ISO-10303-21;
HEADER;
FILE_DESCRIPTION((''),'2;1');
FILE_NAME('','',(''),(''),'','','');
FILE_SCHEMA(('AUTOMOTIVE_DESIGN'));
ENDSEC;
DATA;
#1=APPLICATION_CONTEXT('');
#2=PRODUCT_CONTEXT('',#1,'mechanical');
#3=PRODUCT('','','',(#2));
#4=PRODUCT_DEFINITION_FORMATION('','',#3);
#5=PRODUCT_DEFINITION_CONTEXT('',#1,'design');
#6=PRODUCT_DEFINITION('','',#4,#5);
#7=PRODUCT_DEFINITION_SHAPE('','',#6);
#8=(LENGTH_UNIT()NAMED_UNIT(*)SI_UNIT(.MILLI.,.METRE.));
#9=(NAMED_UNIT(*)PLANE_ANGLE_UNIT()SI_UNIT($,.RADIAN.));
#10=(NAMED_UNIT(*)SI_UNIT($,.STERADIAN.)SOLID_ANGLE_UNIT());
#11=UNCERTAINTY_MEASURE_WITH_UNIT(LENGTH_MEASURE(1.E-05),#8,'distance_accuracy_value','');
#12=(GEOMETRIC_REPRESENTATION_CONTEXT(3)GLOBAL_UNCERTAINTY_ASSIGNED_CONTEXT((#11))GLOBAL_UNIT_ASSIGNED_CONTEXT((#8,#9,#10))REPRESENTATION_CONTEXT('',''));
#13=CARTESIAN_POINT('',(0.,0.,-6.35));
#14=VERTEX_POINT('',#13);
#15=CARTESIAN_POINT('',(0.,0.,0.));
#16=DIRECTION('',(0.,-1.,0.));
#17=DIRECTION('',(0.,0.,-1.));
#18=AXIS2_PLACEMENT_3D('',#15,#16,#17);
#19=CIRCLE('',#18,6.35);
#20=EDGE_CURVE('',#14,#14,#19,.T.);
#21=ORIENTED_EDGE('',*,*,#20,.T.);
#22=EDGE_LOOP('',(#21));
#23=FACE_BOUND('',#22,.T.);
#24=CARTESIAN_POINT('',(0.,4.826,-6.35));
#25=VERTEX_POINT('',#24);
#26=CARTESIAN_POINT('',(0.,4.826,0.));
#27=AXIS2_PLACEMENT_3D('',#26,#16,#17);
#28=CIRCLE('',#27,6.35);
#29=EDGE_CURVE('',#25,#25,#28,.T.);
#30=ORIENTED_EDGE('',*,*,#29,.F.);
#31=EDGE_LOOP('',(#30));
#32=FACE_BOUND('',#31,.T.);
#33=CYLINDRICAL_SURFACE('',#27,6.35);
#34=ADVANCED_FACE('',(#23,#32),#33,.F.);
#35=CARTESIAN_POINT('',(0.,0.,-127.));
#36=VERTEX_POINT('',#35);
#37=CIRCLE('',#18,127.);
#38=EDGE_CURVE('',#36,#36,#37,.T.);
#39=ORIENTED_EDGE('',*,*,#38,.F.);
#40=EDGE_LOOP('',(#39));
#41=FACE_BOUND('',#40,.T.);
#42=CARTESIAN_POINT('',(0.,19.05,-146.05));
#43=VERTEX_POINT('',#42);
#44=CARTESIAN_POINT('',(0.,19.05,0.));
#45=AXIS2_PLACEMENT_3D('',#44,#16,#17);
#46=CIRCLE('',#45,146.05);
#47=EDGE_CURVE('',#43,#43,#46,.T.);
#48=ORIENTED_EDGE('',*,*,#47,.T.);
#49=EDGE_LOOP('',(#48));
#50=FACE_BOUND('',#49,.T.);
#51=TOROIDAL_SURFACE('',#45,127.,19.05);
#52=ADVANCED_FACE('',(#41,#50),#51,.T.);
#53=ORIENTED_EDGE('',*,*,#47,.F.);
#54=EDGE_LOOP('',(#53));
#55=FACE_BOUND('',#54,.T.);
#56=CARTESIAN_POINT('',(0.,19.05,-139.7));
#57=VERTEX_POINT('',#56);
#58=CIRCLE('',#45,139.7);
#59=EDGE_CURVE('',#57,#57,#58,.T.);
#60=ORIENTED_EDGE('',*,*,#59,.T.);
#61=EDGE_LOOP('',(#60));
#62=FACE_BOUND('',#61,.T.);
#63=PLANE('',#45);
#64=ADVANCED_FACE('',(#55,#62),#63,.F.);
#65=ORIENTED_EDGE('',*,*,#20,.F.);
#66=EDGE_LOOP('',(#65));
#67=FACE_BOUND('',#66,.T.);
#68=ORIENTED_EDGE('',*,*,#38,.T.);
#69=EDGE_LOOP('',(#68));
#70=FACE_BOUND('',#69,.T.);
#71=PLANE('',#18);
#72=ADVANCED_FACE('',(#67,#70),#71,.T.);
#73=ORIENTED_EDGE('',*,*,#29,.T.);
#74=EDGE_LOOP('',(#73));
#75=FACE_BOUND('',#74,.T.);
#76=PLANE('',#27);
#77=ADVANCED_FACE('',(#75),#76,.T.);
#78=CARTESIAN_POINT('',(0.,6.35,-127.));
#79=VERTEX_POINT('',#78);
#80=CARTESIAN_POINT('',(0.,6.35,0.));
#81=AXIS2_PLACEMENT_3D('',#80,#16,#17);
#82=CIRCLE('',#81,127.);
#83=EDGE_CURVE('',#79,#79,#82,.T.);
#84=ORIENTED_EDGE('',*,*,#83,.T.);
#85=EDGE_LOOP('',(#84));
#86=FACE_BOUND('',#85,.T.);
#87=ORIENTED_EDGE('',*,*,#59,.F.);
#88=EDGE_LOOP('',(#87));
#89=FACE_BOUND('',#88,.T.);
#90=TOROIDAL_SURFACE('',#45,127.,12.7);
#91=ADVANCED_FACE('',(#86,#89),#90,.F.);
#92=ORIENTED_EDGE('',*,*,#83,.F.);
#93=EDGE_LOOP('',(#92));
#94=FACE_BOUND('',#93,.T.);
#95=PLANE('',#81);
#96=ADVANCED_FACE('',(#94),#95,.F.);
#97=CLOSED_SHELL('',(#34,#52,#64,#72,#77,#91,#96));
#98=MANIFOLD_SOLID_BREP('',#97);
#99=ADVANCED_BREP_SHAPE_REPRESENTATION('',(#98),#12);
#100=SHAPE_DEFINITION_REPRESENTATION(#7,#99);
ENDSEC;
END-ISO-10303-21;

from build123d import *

# Parameters (mm, degrees)
SKETCH1_W          = 127
SKETCH1_H          = 6.35
SKETCH2_R          = 6.35
CUT_EXTRUDE1_DEPTH = 4.826


with BuildPart() as part:
    # Sketch1 → Revolve1 (revolve)
    with BuildSketch(Plane.XY, mode=Mode.PRIVATE) as revolve1_sk:
        with BuildLine():
            Line((127, 0), (127, 6.35))
            ThreePointArc((127, 6.35), (135.980256121, 10.069743879), (139.7, 19.05))
            Line((139.7, 19.05), (146.05, 19.05))
            ThreePointArc((146.05, 19.05), (140.470384182, 5.579615818), (127, 0))
        make_face()
        with Locations((63.5, 3.175)):
            Rectangle(SKETCH1_W, SKETCH1_H)
    revolve(revolve1_sk.sketch.rotate(Axis((0, 0, 0), (0, 1, 0)), 90), axis=Axis((0, 0, 0), (0, 1, 0)))

    # Sketch2 → Cut-Extrude1 (cut)
    with BuildSketch(Plane.XZ):
        with Locations(Location((0, 0, 0), (0, 0, 270))):
            Circle(SKETCH2_R)
    extrude(amount=-CUT_EXTRUDE1_DEPTH, mode=Mode.SUBTRACT)


solid = part.part
